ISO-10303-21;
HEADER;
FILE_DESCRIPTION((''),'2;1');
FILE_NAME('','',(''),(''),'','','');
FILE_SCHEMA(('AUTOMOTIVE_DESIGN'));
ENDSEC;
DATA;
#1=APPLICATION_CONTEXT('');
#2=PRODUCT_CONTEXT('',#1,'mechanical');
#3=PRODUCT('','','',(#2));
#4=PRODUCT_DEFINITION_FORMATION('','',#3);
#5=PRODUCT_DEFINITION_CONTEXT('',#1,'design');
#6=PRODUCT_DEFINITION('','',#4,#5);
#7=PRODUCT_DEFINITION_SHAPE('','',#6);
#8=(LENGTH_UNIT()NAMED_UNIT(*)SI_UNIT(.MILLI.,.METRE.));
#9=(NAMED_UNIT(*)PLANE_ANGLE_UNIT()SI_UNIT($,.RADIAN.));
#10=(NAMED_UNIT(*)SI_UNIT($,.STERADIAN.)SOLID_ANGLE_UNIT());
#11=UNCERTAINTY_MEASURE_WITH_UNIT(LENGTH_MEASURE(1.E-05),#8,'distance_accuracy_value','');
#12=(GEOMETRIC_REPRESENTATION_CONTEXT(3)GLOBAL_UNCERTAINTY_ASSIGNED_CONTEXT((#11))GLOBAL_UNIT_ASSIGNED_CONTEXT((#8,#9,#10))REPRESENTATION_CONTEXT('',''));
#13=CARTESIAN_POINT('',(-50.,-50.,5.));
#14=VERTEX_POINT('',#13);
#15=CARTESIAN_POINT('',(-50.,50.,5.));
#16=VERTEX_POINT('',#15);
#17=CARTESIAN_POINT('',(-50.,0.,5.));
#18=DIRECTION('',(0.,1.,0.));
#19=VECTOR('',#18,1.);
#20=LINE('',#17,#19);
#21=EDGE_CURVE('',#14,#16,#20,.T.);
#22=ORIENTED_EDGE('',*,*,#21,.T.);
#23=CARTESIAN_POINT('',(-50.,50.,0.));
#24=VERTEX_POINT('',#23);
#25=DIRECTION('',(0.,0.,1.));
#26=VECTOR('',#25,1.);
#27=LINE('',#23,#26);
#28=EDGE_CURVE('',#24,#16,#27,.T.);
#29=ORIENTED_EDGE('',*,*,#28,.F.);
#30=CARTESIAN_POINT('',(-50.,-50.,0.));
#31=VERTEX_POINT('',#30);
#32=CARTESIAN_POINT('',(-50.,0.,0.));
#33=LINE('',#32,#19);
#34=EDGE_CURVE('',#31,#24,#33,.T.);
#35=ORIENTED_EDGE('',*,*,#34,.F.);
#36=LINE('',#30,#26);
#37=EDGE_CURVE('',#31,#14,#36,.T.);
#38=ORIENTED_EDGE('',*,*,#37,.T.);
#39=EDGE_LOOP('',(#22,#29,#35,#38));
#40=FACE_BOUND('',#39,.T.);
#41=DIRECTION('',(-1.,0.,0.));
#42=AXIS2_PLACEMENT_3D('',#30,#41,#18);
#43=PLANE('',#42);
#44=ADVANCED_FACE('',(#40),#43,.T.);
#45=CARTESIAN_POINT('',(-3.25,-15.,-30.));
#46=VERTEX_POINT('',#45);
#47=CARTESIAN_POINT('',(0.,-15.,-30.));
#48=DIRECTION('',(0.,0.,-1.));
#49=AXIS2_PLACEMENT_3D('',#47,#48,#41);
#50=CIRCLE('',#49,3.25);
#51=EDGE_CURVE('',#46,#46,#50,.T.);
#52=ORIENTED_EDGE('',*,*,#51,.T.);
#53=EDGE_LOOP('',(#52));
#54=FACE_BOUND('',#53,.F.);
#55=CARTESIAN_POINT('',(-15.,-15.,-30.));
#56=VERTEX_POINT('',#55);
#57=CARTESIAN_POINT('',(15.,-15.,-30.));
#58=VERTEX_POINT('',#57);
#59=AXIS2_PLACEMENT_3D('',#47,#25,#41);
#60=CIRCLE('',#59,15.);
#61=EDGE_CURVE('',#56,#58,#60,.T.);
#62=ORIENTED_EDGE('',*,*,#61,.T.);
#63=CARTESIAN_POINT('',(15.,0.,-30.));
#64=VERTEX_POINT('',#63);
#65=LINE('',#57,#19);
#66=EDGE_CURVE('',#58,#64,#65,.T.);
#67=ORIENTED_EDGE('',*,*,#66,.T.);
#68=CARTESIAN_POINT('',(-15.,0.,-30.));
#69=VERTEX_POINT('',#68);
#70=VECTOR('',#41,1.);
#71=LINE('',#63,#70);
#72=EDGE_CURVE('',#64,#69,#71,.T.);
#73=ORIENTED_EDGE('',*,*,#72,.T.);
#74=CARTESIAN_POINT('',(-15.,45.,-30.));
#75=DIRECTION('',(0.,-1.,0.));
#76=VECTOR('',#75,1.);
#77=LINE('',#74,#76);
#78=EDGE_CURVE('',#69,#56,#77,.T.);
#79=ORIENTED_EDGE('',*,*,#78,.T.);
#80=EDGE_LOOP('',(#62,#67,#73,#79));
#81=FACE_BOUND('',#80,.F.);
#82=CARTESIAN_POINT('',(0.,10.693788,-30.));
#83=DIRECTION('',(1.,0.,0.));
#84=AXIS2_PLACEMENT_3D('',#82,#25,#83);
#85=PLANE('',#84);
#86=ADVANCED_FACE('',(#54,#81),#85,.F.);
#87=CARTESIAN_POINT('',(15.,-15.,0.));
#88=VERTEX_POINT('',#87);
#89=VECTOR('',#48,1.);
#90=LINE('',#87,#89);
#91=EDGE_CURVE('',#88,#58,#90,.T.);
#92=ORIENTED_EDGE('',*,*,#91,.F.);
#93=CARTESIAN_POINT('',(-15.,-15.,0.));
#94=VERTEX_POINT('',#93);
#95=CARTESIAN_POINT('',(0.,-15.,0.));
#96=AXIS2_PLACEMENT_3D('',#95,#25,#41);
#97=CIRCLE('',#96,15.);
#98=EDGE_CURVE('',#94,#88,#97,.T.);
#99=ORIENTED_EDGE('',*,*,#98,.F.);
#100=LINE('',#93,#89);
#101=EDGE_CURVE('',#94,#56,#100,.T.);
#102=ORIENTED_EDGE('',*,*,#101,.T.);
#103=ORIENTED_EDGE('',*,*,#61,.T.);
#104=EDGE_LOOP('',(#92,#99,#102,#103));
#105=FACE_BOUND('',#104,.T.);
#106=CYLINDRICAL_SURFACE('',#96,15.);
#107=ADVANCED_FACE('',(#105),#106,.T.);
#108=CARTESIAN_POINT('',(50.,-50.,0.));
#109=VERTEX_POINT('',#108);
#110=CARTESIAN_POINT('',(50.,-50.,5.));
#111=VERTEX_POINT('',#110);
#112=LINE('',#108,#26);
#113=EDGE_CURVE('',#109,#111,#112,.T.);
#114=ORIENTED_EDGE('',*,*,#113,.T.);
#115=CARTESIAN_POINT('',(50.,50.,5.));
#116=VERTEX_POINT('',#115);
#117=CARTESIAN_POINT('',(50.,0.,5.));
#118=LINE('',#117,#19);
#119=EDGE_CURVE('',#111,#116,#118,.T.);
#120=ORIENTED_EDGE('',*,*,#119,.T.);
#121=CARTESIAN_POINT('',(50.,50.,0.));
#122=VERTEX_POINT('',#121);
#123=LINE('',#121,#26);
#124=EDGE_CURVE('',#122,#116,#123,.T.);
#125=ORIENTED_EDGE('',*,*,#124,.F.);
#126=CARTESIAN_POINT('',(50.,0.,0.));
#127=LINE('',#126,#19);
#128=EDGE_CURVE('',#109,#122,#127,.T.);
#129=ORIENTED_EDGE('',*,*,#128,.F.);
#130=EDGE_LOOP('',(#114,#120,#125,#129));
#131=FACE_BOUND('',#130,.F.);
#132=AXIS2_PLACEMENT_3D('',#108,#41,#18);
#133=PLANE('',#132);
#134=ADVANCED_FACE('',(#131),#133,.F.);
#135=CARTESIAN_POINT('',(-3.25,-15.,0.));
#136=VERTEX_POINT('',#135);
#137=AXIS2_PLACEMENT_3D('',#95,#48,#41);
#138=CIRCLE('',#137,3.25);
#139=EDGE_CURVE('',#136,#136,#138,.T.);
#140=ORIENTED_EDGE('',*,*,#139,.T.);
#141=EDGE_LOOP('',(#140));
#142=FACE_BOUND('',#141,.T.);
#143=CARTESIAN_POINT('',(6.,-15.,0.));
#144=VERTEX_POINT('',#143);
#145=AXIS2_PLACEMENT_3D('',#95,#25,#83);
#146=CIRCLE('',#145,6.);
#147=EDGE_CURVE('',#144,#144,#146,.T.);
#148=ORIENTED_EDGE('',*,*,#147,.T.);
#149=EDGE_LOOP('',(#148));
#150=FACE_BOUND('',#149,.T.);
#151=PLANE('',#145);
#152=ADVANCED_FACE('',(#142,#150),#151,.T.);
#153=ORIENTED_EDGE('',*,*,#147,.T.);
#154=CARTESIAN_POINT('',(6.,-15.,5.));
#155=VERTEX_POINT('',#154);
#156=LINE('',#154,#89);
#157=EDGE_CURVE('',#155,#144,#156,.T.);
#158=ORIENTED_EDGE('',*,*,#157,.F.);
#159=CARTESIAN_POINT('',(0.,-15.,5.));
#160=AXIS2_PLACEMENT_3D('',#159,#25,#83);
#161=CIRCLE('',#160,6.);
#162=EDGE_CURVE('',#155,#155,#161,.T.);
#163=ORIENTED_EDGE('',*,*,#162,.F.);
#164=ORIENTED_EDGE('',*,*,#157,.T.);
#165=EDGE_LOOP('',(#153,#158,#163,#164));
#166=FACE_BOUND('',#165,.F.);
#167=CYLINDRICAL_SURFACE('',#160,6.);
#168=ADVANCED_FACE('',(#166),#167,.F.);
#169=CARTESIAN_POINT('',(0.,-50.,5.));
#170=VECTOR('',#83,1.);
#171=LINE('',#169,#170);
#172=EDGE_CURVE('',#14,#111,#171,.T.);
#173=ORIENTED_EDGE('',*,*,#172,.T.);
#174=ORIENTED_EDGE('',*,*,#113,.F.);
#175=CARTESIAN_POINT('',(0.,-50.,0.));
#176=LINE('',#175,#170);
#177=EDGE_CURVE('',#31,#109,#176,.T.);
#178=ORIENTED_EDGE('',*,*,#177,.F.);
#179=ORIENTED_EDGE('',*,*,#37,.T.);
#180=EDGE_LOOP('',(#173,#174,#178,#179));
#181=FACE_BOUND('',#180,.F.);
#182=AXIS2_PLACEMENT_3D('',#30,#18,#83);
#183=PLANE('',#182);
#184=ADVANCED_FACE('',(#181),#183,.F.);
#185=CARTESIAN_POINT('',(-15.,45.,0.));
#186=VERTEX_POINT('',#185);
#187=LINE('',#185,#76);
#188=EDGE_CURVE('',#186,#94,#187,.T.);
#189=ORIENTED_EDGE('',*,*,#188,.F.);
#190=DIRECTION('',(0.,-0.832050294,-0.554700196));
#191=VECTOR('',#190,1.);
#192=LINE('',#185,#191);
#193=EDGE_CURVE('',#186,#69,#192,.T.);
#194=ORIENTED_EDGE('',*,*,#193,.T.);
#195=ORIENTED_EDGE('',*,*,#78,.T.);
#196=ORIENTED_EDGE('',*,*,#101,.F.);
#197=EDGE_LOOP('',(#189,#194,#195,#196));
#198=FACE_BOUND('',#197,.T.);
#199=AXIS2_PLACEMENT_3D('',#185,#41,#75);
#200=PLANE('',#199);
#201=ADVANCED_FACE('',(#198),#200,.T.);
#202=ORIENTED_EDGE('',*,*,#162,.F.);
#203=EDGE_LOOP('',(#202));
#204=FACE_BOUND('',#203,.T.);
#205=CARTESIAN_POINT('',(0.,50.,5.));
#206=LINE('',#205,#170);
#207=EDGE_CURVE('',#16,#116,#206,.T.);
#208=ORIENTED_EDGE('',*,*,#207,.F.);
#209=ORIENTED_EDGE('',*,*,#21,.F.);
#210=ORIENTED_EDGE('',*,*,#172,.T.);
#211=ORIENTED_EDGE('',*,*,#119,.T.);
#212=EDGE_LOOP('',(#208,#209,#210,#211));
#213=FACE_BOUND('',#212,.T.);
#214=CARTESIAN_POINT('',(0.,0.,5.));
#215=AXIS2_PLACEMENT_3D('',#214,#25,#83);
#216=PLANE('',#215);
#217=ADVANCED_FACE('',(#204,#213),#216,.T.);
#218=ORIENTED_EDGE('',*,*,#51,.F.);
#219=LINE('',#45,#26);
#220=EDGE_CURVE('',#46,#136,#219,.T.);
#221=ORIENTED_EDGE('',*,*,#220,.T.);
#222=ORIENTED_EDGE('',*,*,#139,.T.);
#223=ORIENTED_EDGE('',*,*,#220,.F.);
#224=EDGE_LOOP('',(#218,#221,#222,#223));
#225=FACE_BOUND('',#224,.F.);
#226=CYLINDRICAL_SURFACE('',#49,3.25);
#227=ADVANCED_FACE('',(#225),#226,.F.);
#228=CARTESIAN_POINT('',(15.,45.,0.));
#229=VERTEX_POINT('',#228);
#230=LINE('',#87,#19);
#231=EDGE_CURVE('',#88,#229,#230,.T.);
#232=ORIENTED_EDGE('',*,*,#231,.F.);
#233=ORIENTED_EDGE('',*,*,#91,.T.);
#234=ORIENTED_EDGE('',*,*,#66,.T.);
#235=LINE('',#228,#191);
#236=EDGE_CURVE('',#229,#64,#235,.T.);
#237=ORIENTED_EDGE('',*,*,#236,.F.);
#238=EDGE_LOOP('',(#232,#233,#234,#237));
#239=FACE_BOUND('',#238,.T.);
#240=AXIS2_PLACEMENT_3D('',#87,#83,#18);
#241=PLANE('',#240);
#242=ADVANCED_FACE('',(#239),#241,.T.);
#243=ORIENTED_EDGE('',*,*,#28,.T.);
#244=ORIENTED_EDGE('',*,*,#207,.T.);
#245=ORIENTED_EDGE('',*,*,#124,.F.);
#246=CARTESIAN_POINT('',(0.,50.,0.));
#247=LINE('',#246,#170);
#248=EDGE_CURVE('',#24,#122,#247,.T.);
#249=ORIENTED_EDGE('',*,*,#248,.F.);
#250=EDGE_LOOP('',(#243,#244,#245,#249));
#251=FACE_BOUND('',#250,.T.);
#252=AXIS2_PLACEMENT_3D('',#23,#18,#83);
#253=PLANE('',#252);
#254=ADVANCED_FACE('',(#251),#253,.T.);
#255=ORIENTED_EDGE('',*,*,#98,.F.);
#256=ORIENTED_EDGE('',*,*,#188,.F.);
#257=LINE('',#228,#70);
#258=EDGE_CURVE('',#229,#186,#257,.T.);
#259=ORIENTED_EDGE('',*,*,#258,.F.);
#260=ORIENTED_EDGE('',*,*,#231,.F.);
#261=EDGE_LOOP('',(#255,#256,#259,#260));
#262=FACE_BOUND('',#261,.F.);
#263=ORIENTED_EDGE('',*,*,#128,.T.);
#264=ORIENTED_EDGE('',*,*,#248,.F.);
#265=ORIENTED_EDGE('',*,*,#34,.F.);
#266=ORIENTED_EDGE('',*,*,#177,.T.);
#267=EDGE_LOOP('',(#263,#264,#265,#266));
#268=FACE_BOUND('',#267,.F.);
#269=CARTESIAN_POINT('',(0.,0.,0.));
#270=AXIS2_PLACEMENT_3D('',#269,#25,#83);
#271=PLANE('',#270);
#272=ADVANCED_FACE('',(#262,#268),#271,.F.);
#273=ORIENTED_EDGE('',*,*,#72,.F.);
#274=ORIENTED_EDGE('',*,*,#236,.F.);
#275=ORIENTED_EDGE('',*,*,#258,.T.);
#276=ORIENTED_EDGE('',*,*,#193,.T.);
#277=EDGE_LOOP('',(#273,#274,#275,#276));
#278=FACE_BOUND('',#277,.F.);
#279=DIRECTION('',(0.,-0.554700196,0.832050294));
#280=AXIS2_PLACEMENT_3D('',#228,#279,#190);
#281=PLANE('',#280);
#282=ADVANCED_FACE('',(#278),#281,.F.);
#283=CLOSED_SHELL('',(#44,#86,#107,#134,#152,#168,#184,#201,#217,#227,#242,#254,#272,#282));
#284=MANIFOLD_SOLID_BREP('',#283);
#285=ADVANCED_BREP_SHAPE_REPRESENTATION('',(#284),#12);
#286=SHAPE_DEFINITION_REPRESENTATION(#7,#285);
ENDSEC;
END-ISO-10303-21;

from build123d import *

# Parameters (mm, degrees)
ESQUISSE1_W             = 100
ESQUISSE1_H             = 100
BOSS_EXTRU_1_DEPTH      = 5
BOSS_EXTRU_2_DEPTH      = 30
ENL_V_MAT_EXTRU_1_DEPTH = 30
ESQUISSE6_R             = 3.25
ENL_V_MAT_EXTRU_2_DEPTH = 35
ESQUISSE7_R             = 6
ENL_V_MAT_EXTRU_3_DEPTH = 5


with BuildPart() as part:
    # Esquisse1 → Boss.-Extru.1 (new body)
    with BuildSketch(Plane.XY):
        Rectangle(ESQUISSE1_W, ESQUISSE1_H)
    extrude(amount=BOSS_EXTRU_1_DEPTH)

    # Esquisse4 → Boss.-Extru.2 (add)
    with BuildSketch(Plane(origin=(0, 0, 0), x_dir=(-1, 0, 0), z_dir=(0, 0, -1))):
        with BuildLine():
            Line((-15, 45), (15, 45))
            Line((15, 45), (15, -15))
            ThreePointArc((15, -15), (0, -30), (-15, -15))
            Line((-15, -15), (-15, 45))
        make_face()
    extrude(amount=BOSS_EXTRU_2_DEPTH)

    # Esquisse5 → Enlèv. mat.-Extru.1 (cut)
    with BuildSketch(Plane(origin=(15, 0, 0), x_dir=(0, 0, -1), z_dir=(1, 0, 0))):
        Polygon((0, 45), (30, 0), (30, 45), align=None)
    extrude(amount=-ENL_V_MAT_EXTRU_1_DEPTH, mode=Mode.SUBTRACT)

    # Esquisse6 → Enlèv. mat.-Extru.2 (cut)
    with BuildSketch(Plane(origin=(0, 0, -30), x_dir=(-1, 0, 0), z_dir=(0, 0, -1))):
        with Locations((0, -15)):
            Circle(ESQUISSE6_R)
    extrude(amount=-ENL_V_MAT_EXTRU_2_DEPTH, mode=Mode.SUBTRACT)

    # Esquisse7 → Enlèv. mat.-Extru.3 (cut)
    with BuildSketch(Plane.XY.offset(5)):
        with Locations((0, -15)):
            Circle(ESQUISSE7_R)
    extrude(amount=-ENL_V_MAT_EXTRU_3_DEPTH, mode=Mode.SUBTRACT)


solid = part.part
